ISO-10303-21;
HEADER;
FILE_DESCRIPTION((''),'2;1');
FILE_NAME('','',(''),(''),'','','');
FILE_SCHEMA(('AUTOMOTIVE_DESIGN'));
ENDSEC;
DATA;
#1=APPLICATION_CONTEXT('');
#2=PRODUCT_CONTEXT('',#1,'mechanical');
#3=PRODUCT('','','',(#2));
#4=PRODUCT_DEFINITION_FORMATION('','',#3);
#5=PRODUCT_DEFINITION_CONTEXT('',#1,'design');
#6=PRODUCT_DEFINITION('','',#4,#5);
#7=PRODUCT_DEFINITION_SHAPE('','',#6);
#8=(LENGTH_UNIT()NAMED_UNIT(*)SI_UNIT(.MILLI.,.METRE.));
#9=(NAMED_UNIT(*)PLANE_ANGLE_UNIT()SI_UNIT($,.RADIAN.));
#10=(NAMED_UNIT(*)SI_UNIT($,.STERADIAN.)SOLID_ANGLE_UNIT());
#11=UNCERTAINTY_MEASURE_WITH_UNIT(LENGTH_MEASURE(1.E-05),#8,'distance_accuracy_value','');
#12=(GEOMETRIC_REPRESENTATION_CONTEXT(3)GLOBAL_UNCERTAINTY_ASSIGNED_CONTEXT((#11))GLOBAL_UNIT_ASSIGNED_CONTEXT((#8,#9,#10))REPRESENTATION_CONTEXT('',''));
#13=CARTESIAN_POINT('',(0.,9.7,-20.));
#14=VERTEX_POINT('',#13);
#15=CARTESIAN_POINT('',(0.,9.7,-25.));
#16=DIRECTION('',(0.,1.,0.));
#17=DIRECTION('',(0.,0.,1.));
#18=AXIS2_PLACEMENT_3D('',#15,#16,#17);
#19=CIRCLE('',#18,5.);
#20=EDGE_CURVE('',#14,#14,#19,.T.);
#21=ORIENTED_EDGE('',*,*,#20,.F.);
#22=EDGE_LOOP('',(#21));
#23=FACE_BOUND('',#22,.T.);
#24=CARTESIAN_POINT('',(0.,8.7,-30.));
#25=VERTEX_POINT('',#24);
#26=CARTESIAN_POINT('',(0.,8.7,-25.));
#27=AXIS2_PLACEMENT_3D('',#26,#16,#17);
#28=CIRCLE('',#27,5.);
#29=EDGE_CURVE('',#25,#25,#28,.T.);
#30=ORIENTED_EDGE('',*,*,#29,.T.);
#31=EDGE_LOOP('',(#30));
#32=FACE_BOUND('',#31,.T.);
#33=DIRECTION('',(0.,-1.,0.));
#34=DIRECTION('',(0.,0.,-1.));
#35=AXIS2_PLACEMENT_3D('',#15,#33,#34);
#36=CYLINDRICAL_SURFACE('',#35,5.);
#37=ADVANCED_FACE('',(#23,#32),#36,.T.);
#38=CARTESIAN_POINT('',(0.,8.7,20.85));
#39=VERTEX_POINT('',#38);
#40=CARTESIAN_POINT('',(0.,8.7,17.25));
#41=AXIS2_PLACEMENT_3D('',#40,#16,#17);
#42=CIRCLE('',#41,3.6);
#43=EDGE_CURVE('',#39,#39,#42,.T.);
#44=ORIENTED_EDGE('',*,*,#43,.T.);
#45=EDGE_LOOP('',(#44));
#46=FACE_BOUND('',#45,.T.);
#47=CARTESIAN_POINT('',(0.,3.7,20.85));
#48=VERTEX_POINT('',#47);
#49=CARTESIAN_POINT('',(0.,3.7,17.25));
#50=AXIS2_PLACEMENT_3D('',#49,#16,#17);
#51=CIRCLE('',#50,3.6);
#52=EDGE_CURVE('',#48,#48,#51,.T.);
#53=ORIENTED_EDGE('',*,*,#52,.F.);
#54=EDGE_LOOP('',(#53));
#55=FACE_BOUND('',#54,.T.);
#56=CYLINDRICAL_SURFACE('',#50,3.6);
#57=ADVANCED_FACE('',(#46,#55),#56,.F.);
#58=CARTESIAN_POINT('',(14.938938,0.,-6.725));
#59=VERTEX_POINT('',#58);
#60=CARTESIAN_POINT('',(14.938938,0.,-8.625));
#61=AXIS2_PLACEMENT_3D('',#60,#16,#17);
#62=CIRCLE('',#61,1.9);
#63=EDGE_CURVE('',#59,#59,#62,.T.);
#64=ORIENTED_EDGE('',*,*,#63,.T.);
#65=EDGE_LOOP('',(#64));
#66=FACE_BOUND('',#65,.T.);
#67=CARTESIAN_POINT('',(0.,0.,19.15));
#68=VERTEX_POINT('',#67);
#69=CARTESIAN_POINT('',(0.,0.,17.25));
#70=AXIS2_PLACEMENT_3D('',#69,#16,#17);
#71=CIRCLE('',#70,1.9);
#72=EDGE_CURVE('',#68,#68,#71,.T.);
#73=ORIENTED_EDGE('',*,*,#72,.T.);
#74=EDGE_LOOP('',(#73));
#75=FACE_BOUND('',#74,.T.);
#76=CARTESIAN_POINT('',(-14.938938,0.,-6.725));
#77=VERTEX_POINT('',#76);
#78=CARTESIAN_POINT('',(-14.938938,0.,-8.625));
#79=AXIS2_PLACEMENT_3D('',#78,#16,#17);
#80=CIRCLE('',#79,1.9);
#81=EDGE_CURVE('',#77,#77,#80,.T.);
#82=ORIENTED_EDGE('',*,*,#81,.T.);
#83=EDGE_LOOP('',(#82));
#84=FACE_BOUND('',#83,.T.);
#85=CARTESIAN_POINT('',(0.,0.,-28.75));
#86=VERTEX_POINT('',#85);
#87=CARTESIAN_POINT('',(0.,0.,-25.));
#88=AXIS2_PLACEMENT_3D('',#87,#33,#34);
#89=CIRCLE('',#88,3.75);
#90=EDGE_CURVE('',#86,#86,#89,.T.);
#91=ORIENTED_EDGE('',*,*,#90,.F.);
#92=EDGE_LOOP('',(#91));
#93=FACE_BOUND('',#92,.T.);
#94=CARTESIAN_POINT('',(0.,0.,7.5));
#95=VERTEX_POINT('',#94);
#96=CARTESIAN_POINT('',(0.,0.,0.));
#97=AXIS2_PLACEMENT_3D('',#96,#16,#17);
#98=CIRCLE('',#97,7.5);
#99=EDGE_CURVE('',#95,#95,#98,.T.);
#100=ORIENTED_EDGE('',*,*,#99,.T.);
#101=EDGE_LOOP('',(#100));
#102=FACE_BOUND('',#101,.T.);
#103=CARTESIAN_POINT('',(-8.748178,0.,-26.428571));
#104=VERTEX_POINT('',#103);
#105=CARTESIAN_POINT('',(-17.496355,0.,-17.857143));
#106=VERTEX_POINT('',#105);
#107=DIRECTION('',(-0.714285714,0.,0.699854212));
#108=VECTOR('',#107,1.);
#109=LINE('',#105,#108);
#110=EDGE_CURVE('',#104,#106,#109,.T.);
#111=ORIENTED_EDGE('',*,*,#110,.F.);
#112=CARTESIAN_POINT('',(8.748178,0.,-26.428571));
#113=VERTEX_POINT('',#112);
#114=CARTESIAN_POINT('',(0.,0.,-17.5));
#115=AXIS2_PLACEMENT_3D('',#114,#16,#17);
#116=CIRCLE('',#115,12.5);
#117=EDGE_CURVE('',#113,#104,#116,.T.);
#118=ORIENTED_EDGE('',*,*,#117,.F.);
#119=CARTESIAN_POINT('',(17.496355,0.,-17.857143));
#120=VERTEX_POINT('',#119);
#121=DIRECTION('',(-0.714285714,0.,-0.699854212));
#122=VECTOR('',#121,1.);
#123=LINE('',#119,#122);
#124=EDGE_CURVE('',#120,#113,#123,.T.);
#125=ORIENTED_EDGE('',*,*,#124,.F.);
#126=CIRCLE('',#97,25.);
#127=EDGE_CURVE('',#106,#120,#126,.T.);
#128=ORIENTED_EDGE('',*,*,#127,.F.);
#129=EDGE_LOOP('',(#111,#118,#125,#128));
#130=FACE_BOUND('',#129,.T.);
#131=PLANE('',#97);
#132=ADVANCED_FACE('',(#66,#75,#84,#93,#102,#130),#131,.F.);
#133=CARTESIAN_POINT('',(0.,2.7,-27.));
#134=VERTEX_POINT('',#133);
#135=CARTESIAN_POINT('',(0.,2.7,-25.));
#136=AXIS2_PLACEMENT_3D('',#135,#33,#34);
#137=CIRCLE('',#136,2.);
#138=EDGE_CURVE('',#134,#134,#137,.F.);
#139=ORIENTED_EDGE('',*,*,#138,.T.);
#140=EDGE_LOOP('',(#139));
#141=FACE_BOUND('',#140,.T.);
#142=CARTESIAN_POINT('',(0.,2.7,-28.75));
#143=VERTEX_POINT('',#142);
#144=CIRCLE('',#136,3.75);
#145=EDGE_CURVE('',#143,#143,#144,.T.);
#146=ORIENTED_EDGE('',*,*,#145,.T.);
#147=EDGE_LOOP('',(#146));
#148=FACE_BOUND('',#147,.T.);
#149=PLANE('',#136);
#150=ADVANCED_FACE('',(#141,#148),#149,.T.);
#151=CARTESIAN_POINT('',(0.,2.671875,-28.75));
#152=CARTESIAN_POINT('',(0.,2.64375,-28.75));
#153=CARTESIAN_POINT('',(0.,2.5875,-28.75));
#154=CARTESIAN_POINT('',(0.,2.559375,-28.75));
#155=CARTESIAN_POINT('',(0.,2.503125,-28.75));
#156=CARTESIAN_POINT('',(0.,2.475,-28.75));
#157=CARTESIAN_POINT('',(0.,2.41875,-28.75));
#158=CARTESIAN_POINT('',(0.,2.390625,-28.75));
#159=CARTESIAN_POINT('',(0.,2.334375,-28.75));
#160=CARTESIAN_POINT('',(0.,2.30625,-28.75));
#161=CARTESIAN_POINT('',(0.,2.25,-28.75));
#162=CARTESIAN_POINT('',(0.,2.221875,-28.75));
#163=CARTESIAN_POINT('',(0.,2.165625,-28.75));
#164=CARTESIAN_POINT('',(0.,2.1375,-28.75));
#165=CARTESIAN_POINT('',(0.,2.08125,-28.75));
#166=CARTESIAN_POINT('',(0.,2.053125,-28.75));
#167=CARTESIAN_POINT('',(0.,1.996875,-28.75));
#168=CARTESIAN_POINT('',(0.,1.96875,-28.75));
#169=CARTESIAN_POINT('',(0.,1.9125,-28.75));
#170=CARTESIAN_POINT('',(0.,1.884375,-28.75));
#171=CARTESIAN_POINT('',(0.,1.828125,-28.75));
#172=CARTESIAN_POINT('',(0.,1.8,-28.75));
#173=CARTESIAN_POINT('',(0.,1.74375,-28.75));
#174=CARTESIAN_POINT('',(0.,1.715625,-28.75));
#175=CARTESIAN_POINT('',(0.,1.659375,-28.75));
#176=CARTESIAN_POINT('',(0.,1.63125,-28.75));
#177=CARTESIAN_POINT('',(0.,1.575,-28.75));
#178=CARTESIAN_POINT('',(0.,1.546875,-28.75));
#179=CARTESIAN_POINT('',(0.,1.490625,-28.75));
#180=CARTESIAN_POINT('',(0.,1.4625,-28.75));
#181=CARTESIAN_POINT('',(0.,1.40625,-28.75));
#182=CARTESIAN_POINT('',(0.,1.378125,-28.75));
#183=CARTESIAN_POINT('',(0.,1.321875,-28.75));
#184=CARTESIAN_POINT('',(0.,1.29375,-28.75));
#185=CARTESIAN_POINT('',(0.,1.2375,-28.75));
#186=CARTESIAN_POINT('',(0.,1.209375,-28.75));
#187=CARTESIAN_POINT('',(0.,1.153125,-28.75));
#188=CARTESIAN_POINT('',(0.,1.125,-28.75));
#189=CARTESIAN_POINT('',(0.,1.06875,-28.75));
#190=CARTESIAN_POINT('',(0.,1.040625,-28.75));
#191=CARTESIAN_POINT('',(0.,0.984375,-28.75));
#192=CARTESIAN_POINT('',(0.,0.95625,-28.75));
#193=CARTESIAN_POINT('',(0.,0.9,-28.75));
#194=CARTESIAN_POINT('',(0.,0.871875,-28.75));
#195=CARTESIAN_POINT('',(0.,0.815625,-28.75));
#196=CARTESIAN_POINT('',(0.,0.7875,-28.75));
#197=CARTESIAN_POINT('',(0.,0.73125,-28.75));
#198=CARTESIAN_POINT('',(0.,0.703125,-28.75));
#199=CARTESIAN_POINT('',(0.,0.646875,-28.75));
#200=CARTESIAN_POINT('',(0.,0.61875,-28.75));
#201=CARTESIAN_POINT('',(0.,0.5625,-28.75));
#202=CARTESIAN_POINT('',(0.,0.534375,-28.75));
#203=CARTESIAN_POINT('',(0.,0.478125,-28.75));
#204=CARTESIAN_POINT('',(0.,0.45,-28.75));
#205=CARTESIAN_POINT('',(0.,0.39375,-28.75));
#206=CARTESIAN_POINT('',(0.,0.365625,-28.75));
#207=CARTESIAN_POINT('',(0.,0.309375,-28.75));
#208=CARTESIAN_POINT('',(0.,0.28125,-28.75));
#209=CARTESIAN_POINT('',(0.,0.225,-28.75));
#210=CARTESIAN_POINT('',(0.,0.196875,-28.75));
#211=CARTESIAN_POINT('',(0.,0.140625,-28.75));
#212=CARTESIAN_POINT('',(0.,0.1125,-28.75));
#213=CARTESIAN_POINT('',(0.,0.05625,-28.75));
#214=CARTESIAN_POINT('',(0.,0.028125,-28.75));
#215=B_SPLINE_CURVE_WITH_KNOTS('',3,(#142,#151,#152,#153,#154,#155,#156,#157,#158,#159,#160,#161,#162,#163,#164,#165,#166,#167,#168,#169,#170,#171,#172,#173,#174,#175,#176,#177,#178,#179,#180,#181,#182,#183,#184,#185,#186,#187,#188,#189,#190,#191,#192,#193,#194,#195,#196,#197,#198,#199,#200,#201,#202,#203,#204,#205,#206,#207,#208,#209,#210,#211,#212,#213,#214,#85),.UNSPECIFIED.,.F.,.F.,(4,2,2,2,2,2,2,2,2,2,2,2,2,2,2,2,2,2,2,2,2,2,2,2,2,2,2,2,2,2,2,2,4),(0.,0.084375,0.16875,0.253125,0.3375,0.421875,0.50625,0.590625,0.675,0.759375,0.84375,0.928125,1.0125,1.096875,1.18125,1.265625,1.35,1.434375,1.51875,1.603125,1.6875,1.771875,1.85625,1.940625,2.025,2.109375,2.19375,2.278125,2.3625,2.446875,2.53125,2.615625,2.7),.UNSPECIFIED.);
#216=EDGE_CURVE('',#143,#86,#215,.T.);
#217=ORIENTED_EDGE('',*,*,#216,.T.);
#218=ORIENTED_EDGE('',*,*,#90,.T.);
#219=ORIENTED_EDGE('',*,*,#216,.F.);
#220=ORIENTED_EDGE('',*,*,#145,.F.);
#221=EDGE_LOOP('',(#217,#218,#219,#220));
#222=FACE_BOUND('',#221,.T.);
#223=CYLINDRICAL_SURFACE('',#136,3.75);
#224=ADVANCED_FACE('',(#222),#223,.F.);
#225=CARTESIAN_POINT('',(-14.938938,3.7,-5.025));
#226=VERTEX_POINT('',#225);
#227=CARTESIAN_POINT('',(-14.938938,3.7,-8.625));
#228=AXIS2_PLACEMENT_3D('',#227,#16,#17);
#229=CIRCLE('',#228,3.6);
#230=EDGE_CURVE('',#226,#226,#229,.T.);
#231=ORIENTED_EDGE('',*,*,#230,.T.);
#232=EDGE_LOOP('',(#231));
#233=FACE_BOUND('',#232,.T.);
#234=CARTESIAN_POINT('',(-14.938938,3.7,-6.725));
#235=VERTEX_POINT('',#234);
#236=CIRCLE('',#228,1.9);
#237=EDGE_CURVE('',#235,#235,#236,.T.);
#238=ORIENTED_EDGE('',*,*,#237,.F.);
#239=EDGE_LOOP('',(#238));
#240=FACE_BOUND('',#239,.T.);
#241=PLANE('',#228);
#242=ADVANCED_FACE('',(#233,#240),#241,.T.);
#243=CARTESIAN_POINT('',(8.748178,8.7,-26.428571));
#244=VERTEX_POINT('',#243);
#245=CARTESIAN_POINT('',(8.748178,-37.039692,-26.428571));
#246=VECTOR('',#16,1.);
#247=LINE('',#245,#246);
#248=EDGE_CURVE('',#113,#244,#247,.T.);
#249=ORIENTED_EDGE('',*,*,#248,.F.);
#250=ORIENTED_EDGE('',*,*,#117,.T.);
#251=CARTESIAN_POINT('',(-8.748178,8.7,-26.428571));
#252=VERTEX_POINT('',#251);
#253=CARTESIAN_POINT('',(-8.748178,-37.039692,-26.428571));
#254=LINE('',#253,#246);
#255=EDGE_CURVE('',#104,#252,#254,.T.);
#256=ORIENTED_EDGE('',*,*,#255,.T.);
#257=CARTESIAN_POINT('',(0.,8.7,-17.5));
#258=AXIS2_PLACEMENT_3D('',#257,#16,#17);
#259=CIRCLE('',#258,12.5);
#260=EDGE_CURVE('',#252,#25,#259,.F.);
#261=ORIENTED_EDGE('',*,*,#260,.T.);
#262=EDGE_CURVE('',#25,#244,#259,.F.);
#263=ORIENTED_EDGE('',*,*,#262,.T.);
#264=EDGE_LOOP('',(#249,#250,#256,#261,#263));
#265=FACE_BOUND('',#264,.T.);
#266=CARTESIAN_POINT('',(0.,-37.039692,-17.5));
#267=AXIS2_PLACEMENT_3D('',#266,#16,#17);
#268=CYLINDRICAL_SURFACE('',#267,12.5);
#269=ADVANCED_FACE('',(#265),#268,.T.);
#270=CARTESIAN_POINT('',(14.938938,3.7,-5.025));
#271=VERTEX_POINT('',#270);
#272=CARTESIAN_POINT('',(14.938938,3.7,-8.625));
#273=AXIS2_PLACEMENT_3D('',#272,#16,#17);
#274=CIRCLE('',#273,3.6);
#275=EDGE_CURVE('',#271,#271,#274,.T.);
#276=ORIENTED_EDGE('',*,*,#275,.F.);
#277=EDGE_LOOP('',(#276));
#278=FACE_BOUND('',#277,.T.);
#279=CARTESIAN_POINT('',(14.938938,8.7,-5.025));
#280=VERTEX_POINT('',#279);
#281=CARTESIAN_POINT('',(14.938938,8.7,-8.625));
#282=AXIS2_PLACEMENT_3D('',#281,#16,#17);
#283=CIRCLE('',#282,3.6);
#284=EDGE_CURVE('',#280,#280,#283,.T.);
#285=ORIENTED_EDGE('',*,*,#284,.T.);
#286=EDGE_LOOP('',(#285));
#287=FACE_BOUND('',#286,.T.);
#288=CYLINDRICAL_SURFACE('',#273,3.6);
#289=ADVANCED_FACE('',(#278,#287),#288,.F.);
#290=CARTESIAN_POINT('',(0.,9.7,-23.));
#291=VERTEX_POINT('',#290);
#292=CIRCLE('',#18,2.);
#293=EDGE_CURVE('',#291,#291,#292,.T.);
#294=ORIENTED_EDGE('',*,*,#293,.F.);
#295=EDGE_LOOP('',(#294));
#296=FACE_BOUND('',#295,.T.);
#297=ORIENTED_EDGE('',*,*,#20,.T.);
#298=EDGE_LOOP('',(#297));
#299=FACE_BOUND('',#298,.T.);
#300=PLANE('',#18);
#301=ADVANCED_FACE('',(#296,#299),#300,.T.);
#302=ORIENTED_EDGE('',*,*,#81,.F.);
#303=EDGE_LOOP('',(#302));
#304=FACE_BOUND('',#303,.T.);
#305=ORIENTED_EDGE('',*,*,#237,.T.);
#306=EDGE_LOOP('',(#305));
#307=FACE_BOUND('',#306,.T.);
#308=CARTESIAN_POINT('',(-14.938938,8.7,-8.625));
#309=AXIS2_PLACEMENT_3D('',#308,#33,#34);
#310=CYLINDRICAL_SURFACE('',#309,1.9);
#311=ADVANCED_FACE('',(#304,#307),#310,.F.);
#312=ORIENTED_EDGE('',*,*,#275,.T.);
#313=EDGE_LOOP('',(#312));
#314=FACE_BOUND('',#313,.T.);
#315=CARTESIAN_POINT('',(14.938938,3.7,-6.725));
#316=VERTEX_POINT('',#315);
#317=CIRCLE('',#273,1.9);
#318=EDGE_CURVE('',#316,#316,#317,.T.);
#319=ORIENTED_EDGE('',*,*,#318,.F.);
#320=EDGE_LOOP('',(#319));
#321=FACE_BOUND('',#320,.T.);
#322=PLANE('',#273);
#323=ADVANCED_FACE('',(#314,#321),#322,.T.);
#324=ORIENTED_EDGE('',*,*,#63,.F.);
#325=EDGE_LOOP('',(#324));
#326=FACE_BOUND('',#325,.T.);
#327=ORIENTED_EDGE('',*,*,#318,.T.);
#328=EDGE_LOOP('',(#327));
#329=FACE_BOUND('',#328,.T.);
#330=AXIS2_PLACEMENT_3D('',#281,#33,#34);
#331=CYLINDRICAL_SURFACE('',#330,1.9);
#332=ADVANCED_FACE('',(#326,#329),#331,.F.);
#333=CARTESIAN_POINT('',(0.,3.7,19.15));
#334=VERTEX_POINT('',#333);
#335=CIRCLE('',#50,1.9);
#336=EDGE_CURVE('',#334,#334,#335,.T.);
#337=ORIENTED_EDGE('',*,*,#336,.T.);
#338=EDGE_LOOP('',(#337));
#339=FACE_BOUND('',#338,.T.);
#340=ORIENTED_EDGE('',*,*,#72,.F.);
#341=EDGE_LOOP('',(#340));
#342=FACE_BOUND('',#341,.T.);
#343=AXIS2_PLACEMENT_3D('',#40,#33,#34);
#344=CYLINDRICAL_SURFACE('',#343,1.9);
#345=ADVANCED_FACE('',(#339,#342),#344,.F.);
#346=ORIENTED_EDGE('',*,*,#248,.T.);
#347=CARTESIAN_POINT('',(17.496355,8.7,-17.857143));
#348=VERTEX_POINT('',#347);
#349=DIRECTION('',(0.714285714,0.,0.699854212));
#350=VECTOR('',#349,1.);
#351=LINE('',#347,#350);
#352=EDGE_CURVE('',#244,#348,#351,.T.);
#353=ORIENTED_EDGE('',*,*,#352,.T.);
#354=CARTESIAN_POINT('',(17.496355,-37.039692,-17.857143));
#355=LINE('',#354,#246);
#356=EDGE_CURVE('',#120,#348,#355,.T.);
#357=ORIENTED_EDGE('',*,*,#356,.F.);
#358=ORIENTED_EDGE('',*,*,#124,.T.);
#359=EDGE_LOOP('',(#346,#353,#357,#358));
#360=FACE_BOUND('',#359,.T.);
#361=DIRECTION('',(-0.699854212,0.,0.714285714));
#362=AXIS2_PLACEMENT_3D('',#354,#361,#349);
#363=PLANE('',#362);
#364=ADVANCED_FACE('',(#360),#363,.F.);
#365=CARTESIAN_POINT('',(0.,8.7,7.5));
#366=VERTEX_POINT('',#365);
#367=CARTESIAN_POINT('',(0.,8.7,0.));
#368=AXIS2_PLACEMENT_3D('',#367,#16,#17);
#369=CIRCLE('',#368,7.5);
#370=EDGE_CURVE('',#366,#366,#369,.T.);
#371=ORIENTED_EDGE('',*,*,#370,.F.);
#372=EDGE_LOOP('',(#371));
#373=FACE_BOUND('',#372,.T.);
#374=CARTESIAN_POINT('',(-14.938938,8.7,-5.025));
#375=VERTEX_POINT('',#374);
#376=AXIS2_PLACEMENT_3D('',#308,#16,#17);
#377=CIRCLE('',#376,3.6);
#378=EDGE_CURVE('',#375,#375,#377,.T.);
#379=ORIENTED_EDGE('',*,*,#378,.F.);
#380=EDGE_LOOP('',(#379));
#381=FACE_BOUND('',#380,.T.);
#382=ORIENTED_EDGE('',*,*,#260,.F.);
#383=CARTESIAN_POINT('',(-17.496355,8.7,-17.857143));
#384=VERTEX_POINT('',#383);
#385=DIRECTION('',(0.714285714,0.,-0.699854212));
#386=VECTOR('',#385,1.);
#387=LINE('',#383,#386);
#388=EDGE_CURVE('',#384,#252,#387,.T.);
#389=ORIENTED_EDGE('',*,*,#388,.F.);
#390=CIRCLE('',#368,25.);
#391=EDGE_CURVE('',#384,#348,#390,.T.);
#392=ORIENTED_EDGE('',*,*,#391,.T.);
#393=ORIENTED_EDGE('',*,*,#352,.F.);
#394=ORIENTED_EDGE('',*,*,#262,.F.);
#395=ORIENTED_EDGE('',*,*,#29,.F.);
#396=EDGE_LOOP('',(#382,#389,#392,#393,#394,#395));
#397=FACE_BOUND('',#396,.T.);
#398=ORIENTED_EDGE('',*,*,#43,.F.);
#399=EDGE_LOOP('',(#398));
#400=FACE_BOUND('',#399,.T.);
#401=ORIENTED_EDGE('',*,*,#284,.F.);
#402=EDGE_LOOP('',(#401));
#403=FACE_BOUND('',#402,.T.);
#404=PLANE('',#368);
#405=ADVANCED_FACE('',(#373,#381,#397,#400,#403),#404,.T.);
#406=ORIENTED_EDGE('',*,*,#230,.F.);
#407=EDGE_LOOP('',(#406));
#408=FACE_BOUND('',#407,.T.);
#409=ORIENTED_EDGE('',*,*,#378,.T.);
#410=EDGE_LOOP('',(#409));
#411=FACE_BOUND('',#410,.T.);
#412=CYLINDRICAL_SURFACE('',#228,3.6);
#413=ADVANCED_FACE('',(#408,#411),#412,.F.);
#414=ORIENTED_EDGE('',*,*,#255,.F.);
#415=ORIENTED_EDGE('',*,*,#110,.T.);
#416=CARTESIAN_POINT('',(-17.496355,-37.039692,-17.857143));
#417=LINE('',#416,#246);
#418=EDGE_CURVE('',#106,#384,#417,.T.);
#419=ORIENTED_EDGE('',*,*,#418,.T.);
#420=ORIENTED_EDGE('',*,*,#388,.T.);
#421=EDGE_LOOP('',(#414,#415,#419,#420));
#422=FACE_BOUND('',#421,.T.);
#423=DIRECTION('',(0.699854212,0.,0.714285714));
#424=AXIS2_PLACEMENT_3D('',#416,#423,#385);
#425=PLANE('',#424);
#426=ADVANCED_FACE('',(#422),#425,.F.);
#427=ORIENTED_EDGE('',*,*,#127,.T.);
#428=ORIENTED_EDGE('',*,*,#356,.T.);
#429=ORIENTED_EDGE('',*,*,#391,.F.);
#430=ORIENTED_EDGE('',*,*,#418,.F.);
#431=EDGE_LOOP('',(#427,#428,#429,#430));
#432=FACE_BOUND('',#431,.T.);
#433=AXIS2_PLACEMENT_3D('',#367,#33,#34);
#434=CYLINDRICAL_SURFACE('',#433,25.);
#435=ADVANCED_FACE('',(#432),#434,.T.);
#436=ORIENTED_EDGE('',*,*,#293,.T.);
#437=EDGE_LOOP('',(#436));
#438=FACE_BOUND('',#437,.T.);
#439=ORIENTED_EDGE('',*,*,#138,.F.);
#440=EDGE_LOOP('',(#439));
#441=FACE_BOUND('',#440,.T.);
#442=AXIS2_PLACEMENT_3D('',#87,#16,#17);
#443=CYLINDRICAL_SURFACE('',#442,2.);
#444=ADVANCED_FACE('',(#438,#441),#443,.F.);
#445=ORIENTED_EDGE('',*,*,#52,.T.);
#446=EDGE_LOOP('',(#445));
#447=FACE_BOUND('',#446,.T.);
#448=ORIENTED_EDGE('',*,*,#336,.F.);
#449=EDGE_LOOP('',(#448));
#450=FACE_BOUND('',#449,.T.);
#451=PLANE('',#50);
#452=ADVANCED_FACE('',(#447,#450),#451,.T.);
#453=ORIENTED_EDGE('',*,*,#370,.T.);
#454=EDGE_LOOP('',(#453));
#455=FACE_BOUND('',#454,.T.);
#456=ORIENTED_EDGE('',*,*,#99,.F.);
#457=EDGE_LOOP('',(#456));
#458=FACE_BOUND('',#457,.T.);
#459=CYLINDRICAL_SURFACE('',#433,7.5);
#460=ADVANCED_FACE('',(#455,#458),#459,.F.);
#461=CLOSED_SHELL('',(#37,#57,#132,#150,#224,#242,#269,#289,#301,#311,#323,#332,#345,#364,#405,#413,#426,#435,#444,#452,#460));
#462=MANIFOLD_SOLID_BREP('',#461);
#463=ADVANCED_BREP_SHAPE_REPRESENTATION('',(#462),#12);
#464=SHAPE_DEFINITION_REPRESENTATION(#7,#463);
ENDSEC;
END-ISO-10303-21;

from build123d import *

# Parameters (mm, degrees)
SKETCH_1_R          = 25
SKETCH_1_R_2        = 1.9
SKETCH_1_R_3        = 7.5
EXTRUDE_1_DEPTH     = 8.7
SKETCH_2_R          = 3.6
CUT_EXTRUDE_1_DEPTH = 5
EXTRUDE_START       = -8.7
EXTRUDE_4_DEPTH     = 8.7
SKETCH_14_R         = 2
CUT_EXTRUDE_5_DEPTH = 41.00862407
EXTRUDE_START_2     = 1
SKETCH_15_R         = 5
SKETCH_15_R_2       = 2
EXTRUDE_5_DEPTH     = 1
SKETCH_19_R         = 3.75
CUT_EXTRUDE_7_DEPTH = 2.7


with BuildPart() as part:
    # 草图1 → 凸台-拉伸1 (new body)
    with BuildSketch(Plane(origin=(0, 0, 0), x_dir=(1, 0, 0), z_dir=(0, 1, 0))):
        with Locations(Location((0, 0, 0), (0, 0, 270))):
            Circle(SKETCH_1_R)
        with Locations(Location((14.938938215, 8.625, 0), (0, 0, 270))):
            Circle(SKETCH_1_R_2, mode=Mode.SUBTRACT)
        with Locations(Location((0, -17.25, 0), (0, 0, 270))):
            Circle(SKETCH_1_R_2, mode=Mode.SUBTRACT)
        with Locations(Location((-14.938938215, 8.625, 0), (0, 0, 270))):
            Circle(SKETCH_1_R_2, mode=Mode.SUBTRACT)
        with Locations(Location((0, 0, 0), (0, 0, 270))):
            Circle(SKETCH_1_R_3, mode=Mode.SUBTRACT)
    extrude(amount=EXTRUDE_1_DEPTH)

    # 草图2 → 切除-拉伸1 (cut)
    with BuildSketch(Plane(origin=(0, 8.7, 0), x_dir=(1, 0, 0), z_dir=(0, 1, 0))):
        with Locations(Location((0, -17.25, 0), (0, 0, 270))):
            Circle(SKETCH_2_R)
        with Locations(Location((-14.938938215, 8.625, 0), (0, 0, 270))):
            Circle(SKETCH_2_R)
        with Locations(Location((14.938938215, 8.625, 0), (0, 0, 270))):
            Circle(SKETCH_2_R)
    extrude(amount=-CUT_EXTRUDE_1_DEPTH, mode=Mode.SUBTRACT)

    # 草图13 → 凸台-拉伸4 (add)
    with BuildSketch(Plane(origin=(0, 8.7, 0), x_dir=(1, 0, 0), z_dir=(0, 1, 0)).offset(EXTRUDE_START)):
        with BuildLine():
            Line((-8.748177653, 26.428571429), (-17.496355306, 17.857142857))
            ThreePointArc((-17.496355306, 17.857142857), (0, 25), (17.496355306, 17.857142857))
            Line((17.496355306, 17.857142857), (8.748177653, 26.428571429))
            ThreePointArc((8.748177653, 26.428571429), (0, 30), (-8.748177653, 26.428571429))
        make_face()
    extrude(amount=EXTRUDE_4_DEPTH)

    # 草图14 → 切除-拉伸5 (cut, through all)
    with BuildSketch(Plane(origin=(0, 8.7, 0), x_dir=(1, 0, 0), z_dir=(0, 1, 0))):
        with Locations(Location((0, 25, 0), (0, 0, 270))):
            Circle(SKETCH_14_R)
    extrude(amount=-CUT_EXTRUDE_5_DEPTH, mode=Mode.SUBTRACT)

    # 草图15 → 凸台-拉伸5 (add)
    with BuildSketch(Plane(origin=(0, 8.7, 0), x_dir=(1, 0, 0), z_dir=(0, 1, 0)).offset(EXTRUDE_START_2)):
        with Locations(Location((0, 25, 0), (0, 0, 89.99953218))):
            Circle(SKETCH_15_R)
        with Locations(Location((0, 25, 0), (0, 0, 270))):
            Circle(SKETCH_15_R_2, mode=Mode.SUBTRACT)
    extrude(amount=-EXTRUDE_5_DEPTH)

    # 草图19 → 切除-拉伸7 (cut)
    with BuildSketch(Plane.XZ):
        with Locations(Location((0, -25, 0), (0, 0, 270))):
            Circle(SKETCH_19_R)
    extrude(amount=-CUT_EXTRUDE_7_DEPTH, mode=Mode.SUBTRACT)


solid = part.part
